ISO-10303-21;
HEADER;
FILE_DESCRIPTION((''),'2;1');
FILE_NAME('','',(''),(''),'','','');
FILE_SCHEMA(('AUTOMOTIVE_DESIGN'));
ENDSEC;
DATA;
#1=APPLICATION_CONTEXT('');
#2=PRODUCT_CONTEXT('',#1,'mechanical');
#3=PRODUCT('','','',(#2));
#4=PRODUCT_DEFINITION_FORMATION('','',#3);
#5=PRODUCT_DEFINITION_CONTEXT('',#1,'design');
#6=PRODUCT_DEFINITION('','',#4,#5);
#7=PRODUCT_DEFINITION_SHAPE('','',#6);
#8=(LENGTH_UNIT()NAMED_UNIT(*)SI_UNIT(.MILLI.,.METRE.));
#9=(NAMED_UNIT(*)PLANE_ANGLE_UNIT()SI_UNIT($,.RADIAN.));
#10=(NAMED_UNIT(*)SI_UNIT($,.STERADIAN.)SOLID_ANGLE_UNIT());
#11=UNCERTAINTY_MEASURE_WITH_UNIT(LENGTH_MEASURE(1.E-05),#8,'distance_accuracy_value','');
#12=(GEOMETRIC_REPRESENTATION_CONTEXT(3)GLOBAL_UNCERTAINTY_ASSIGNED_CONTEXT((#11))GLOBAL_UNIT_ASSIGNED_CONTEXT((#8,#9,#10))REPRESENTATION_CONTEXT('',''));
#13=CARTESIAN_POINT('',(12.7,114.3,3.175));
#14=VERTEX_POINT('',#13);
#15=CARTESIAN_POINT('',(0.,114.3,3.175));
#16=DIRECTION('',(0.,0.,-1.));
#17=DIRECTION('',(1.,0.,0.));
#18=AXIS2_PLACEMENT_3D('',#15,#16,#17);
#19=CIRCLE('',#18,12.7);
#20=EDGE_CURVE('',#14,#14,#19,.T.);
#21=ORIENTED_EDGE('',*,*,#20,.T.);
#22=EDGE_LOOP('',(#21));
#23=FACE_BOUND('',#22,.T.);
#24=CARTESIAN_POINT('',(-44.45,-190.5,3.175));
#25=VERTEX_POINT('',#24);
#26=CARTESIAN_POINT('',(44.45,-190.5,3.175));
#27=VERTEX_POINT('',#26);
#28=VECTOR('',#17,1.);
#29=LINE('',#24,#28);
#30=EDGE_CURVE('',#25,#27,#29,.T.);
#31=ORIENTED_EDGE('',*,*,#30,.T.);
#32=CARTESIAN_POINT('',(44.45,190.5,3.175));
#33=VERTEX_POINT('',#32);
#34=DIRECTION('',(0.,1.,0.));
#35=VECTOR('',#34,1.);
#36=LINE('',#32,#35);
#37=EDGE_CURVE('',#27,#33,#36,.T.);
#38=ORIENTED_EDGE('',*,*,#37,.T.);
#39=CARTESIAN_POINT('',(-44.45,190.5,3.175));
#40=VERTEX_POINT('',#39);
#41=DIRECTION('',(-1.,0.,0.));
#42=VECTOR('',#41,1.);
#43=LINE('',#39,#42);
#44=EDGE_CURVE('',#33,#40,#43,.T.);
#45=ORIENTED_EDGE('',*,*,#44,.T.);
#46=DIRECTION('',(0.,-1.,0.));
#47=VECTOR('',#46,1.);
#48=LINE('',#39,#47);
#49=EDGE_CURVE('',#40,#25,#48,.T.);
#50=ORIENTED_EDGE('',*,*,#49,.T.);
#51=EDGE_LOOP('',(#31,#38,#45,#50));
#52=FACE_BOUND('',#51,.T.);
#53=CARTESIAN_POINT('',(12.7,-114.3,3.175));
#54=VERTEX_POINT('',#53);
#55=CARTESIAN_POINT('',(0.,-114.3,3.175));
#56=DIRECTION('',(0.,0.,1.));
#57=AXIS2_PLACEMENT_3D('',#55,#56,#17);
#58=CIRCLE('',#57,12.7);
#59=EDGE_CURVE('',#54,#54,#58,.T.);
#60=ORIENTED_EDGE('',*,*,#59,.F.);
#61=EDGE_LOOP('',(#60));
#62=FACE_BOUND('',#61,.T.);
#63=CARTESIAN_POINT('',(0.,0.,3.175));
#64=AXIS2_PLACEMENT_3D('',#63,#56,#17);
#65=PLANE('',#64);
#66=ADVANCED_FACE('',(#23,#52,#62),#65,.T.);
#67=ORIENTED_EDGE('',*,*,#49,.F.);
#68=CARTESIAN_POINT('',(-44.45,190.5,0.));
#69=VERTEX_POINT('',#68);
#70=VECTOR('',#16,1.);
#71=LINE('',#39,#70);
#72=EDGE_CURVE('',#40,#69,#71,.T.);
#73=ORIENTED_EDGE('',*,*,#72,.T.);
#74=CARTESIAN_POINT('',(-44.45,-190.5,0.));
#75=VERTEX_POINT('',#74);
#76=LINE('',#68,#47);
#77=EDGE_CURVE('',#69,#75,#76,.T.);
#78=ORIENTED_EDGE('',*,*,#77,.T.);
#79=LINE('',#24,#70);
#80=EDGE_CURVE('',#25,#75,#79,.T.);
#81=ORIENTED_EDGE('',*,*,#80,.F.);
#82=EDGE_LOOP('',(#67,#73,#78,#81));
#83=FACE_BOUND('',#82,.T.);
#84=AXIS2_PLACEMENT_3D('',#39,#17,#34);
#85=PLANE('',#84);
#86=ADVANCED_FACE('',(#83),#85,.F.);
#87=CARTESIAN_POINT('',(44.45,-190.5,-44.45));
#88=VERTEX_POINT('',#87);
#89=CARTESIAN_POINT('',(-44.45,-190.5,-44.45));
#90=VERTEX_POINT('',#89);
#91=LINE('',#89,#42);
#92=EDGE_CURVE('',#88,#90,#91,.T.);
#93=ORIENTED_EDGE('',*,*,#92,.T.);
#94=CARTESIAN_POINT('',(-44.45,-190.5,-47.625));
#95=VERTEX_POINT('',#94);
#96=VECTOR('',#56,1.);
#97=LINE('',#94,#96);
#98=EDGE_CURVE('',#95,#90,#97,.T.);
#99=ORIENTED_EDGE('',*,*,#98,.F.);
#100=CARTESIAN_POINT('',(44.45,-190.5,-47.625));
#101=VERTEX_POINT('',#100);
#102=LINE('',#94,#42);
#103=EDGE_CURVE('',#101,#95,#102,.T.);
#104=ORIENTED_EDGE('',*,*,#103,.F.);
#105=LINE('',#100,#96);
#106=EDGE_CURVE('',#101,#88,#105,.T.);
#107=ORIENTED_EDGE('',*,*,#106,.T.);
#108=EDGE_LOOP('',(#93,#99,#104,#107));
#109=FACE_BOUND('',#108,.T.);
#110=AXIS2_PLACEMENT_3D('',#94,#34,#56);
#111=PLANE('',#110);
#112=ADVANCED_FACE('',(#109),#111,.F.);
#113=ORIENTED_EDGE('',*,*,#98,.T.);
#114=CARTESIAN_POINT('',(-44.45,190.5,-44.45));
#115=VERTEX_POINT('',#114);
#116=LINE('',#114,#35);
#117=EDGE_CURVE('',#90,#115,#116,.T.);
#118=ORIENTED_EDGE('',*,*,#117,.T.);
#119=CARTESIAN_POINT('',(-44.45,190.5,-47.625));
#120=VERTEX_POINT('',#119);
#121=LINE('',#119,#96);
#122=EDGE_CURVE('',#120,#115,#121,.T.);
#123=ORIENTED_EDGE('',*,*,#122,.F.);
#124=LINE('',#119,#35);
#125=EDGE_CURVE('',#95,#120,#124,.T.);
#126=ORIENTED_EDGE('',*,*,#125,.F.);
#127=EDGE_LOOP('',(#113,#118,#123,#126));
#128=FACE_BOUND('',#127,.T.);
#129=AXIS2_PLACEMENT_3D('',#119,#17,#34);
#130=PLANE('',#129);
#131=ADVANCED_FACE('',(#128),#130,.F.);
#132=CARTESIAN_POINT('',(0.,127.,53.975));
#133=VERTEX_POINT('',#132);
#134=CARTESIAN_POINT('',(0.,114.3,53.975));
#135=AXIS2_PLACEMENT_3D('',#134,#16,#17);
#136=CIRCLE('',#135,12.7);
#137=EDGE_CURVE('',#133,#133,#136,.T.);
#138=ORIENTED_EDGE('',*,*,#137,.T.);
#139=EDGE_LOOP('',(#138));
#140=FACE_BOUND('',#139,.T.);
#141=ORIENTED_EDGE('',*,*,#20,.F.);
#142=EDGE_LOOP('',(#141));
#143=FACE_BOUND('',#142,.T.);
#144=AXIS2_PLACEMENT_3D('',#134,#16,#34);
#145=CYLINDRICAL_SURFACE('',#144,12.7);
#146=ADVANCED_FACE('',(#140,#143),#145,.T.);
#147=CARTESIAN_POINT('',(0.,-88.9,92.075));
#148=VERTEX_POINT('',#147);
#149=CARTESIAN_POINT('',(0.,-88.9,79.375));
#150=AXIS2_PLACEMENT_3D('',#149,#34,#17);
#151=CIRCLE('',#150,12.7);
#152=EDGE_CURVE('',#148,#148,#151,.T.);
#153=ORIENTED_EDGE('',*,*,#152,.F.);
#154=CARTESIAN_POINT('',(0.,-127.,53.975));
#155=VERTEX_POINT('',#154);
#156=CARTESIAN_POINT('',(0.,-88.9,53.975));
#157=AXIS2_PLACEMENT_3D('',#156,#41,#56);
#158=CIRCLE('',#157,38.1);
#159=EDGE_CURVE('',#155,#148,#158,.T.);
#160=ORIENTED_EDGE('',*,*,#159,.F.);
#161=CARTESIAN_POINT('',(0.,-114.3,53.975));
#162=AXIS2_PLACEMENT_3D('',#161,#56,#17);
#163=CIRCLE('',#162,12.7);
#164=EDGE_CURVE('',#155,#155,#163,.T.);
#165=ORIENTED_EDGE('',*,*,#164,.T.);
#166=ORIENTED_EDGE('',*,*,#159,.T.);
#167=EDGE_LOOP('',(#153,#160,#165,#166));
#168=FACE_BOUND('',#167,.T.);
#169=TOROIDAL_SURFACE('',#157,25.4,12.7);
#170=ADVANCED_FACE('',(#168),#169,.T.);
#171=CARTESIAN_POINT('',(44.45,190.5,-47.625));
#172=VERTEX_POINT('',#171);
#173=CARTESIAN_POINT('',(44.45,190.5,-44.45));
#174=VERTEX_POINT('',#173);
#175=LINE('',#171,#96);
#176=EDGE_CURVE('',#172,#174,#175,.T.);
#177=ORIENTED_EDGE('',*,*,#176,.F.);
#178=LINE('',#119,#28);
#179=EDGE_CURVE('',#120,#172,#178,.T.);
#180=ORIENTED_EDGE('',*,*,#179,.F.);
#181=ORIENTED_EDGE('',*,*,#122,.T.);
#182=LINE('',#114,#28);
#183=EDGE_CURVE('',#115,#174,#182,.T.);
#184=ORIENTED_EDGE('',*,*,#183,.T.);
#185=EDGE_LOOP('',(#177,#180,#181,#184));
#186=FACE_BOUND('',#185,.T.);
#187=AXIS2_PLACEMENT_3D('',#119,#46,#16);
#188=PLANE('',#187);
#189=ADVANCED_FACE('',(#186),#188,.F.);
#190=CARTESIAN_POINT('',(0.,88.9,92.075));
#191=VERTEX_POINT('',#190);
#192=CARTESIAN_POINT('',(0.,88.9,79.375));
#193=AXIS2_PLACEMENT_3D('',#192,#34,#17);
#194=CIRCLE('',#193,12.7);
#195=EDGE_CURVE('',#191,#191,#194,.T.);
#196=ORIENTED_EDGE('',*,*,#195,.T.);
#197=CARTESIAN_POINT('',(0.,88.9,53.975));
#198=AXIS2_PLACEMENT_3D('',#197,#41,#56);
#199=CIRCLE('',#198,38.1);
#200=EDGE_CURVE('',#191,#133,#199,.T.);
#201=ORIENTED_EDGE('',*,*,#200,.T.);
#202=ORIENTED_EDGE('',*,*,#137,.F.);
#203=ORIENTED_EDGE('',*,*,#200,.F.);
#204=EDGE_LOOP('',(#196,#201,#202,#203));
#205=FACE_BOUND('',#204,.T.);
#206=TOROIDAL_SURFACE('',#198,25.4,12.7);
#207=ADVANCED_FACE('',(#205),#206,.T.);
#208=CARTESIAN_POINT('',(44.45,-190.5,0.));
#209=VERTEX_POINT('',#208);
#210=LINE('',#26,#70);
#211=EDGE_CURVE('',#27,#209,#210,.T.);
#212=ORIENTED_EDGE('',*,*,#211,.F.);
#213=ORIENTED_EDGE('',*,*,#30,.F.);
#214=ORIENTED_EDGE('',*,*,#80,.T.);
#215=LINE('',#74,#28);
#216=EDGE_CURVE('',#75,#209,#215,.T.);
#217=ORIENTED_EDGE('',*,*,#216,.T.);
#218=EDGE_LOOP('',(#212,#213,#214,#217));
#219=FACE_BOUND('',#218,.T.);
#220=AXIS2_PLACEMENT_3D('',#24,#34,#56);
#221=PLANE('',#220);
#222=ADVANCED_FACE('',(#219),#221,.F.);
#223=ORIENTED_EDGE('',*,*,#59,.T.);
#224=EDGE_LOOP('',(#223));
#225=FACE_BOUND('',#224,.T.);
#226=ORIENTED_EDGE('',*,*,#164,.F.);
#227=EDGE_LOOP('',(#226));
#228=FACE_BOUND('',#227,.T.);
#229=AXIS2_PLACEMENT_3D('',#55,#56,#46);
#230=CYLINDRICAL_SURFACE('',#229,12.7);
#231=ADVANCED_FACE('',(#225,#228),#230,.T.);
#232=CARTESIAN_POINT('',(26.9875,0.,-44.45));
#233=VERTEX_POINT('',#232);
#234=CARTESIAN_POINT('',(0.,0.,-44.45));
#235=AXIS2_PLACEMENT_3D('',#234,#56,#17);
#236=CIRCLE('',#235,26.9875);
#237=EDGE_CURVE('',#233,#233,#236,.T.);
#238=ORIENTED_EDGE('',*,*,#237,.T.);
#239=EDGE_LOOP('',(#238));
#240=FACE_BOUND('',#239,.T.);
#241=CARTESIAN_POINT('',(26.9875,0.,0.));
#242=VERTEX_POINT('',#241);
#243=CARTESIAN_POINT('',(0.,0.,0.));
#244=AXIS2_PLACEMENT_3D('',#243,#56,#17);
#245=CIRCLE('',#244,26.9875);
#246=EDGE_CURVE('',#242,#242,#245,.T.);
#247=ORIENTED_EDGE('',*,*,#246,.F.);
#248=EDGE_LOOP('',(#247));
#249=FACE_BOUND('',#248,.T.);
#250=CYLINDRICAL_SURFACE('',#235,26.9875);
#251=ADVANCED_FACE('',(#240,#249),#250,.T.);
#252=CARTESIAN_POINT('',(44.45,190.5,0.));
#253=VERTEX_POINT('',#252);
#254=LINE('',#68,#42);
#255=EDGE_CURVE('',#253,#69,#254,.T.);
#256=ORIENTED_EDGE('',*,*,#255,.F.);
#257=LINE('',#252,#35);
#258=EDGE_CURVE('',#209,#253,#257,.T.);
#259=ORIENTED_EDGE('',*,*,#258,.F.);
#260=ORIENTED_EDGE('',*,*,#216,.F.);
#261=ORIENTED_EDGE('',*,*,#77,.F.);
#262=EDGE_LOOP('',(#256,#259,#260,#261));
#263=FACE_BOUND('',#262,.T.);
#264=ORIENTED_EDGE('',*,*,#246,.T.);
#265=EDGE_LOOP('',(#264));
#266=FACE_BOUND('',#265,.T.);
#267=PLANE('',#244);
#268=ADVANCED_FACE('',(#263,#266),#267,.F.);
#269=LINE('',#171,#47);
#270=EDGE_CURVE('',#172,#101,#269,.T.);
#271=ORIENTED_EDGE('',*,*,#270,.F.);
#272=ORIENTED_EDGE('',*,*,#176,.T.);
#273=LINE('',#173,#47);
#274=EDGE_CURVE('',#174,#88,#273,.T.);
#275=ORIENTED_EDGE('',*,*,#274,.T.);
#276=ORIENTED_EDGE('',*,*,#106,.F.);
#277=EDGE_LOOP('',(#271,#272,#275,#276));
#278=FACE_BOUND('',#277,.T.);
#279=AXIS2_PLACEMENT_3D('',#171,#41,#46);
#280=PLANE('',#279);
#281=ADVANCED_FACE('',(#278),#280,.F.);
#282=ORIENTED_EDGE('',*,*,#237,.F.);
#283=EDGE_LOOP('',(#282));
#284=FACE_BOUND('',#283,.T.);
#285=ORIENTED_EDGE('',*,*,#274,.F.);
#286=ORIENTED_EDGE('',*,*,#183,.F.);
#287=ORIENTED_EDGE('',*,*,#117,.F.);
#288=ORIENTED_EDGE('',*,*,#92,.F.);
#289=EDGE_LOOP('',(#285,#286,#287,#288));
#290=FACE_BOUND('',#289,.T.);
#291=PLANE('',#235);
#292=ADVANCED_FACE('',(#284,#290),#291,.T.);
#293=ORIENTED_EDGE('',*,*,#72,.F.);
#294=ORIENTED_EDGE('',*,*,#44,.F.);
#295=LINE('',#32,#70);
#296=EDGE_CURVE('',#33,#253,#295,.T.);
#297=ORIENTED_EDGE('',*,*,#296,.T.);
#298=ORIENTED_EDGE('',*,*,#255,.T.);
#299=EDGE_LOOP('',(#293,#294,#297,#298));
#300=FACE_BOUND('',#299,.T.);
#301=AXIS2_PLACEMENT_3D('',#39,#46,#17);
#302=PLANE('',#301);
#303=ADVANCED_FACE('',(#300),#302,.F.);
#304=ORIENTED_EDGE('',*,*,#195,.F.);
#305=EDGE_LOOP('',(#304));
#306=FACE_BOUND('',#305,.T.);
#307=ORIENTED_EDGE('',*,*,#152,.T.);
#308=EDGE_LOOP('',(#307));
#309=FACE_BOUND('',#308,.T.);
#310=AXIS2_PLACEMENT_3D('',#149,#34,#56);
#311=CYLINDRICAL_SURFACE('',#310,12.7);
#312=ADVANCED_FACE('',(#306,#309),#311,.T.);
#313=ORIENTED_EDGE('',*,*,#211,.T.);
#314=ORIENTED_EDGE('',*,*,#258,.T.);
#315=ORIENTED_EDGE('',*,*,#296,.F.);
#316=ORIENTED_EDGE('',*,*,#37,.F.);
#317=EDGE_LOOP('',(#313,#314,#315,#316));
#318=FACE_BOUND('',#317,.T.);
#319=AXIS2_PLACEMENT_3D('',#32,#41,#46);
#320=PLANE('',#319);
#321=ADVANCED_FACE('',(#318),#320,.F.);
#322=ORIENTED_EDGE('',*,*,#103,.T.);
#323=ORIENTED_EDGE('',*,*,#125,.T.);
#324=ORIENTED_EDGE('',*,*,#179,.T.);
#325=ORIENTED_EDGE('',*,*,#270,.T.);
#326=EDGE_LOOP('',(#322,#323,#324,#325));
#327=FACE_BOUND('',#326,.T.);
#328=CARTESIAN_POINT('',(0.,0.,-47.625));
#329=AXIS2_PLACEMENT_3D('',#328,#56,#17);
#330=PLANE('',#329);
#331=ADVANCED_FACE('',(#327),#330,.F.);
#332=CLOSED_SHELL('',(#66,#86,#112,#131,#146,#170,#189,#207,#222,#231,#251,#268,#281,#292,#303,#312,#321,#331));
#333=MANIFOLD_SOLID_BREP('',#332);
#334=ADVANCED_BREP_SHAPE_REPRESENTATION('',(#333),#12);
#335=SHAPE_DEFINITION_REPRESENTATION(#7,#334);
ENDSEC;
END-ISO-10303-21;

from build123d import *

# Parameters (mm, degrees)
SKETCH1_R           = 26.9875
BOSS_EXTRUDE1_DEPTH = 44.45
SKETCH2_W           = 88.9
SKETCH2_H           = 381
BOSS_EXTRUDE2_DEPTH = 3.175
SKETCH3_R           = 12.7
SKETCH6_W           = 88.9
SKETCH6_H           = 381
BOSS_EXTRUDE3_DEPTH = 3.175


with BuildPart() as part:
    # Sketch1 → Boss-Extrude1 (new body)
    with BuildSketch(Plane.XY):
        Circle(SKETCH1_R)
    extrude(amount=-BOSS_EXTRUDE1_DEPTH)

    # Sketch2 → Boss-Extrude2 (add)
    with BuildSketch(Plane.XY):
        Rectangle(SKETCH2_W, SKETCH2_H)
    extrude(amount=BOSS_EXTRUDE2_DEPTH)

    # Sweep1: sweep along a path in Sketch5
    with BuildLine(Plane(origin=(0, 0, 0), x_dir=(0, 0, -1), z_dir=(1, 0, 0))) as sweep1_path:
        Line((-3.175, -114.3), (-53.975, -114.3))
        ThreePointArc((-53.975, -114.3), (-71.935512242, -106.860512242), (-79.375, -88.9))
        Line((-79.375, -88.9), (-79.375, 88.9))
        ThreePointArc((-79.375, 88.9), (-71.935512242, 106.860512242), (-53.975, 114.3))
        Line((-53.975, 114.3), (-3.175, 114.3))
    # Sketch3 → Sweep1 (sweep)
    with BuildSketch(Plane.XY.offset(3.175)):
        with Locations((0, -114.3)):
            Circle(SKETCH3_R)
    sweep(path=sweep1_path.line)

    # Sketch6 → Boss-Extrude3 (add)
    with BuildSketch(Plane(origin=(0, 0, -44.45), x_dir=(-1, 0, 0), z_dir=(0, 0, -1))):
        Rectangle(SKETCH6_W, SKETCH6_H)
    extrude(amount=BOSS_EXTRUDE3_DEPTH)


solid = part.part
